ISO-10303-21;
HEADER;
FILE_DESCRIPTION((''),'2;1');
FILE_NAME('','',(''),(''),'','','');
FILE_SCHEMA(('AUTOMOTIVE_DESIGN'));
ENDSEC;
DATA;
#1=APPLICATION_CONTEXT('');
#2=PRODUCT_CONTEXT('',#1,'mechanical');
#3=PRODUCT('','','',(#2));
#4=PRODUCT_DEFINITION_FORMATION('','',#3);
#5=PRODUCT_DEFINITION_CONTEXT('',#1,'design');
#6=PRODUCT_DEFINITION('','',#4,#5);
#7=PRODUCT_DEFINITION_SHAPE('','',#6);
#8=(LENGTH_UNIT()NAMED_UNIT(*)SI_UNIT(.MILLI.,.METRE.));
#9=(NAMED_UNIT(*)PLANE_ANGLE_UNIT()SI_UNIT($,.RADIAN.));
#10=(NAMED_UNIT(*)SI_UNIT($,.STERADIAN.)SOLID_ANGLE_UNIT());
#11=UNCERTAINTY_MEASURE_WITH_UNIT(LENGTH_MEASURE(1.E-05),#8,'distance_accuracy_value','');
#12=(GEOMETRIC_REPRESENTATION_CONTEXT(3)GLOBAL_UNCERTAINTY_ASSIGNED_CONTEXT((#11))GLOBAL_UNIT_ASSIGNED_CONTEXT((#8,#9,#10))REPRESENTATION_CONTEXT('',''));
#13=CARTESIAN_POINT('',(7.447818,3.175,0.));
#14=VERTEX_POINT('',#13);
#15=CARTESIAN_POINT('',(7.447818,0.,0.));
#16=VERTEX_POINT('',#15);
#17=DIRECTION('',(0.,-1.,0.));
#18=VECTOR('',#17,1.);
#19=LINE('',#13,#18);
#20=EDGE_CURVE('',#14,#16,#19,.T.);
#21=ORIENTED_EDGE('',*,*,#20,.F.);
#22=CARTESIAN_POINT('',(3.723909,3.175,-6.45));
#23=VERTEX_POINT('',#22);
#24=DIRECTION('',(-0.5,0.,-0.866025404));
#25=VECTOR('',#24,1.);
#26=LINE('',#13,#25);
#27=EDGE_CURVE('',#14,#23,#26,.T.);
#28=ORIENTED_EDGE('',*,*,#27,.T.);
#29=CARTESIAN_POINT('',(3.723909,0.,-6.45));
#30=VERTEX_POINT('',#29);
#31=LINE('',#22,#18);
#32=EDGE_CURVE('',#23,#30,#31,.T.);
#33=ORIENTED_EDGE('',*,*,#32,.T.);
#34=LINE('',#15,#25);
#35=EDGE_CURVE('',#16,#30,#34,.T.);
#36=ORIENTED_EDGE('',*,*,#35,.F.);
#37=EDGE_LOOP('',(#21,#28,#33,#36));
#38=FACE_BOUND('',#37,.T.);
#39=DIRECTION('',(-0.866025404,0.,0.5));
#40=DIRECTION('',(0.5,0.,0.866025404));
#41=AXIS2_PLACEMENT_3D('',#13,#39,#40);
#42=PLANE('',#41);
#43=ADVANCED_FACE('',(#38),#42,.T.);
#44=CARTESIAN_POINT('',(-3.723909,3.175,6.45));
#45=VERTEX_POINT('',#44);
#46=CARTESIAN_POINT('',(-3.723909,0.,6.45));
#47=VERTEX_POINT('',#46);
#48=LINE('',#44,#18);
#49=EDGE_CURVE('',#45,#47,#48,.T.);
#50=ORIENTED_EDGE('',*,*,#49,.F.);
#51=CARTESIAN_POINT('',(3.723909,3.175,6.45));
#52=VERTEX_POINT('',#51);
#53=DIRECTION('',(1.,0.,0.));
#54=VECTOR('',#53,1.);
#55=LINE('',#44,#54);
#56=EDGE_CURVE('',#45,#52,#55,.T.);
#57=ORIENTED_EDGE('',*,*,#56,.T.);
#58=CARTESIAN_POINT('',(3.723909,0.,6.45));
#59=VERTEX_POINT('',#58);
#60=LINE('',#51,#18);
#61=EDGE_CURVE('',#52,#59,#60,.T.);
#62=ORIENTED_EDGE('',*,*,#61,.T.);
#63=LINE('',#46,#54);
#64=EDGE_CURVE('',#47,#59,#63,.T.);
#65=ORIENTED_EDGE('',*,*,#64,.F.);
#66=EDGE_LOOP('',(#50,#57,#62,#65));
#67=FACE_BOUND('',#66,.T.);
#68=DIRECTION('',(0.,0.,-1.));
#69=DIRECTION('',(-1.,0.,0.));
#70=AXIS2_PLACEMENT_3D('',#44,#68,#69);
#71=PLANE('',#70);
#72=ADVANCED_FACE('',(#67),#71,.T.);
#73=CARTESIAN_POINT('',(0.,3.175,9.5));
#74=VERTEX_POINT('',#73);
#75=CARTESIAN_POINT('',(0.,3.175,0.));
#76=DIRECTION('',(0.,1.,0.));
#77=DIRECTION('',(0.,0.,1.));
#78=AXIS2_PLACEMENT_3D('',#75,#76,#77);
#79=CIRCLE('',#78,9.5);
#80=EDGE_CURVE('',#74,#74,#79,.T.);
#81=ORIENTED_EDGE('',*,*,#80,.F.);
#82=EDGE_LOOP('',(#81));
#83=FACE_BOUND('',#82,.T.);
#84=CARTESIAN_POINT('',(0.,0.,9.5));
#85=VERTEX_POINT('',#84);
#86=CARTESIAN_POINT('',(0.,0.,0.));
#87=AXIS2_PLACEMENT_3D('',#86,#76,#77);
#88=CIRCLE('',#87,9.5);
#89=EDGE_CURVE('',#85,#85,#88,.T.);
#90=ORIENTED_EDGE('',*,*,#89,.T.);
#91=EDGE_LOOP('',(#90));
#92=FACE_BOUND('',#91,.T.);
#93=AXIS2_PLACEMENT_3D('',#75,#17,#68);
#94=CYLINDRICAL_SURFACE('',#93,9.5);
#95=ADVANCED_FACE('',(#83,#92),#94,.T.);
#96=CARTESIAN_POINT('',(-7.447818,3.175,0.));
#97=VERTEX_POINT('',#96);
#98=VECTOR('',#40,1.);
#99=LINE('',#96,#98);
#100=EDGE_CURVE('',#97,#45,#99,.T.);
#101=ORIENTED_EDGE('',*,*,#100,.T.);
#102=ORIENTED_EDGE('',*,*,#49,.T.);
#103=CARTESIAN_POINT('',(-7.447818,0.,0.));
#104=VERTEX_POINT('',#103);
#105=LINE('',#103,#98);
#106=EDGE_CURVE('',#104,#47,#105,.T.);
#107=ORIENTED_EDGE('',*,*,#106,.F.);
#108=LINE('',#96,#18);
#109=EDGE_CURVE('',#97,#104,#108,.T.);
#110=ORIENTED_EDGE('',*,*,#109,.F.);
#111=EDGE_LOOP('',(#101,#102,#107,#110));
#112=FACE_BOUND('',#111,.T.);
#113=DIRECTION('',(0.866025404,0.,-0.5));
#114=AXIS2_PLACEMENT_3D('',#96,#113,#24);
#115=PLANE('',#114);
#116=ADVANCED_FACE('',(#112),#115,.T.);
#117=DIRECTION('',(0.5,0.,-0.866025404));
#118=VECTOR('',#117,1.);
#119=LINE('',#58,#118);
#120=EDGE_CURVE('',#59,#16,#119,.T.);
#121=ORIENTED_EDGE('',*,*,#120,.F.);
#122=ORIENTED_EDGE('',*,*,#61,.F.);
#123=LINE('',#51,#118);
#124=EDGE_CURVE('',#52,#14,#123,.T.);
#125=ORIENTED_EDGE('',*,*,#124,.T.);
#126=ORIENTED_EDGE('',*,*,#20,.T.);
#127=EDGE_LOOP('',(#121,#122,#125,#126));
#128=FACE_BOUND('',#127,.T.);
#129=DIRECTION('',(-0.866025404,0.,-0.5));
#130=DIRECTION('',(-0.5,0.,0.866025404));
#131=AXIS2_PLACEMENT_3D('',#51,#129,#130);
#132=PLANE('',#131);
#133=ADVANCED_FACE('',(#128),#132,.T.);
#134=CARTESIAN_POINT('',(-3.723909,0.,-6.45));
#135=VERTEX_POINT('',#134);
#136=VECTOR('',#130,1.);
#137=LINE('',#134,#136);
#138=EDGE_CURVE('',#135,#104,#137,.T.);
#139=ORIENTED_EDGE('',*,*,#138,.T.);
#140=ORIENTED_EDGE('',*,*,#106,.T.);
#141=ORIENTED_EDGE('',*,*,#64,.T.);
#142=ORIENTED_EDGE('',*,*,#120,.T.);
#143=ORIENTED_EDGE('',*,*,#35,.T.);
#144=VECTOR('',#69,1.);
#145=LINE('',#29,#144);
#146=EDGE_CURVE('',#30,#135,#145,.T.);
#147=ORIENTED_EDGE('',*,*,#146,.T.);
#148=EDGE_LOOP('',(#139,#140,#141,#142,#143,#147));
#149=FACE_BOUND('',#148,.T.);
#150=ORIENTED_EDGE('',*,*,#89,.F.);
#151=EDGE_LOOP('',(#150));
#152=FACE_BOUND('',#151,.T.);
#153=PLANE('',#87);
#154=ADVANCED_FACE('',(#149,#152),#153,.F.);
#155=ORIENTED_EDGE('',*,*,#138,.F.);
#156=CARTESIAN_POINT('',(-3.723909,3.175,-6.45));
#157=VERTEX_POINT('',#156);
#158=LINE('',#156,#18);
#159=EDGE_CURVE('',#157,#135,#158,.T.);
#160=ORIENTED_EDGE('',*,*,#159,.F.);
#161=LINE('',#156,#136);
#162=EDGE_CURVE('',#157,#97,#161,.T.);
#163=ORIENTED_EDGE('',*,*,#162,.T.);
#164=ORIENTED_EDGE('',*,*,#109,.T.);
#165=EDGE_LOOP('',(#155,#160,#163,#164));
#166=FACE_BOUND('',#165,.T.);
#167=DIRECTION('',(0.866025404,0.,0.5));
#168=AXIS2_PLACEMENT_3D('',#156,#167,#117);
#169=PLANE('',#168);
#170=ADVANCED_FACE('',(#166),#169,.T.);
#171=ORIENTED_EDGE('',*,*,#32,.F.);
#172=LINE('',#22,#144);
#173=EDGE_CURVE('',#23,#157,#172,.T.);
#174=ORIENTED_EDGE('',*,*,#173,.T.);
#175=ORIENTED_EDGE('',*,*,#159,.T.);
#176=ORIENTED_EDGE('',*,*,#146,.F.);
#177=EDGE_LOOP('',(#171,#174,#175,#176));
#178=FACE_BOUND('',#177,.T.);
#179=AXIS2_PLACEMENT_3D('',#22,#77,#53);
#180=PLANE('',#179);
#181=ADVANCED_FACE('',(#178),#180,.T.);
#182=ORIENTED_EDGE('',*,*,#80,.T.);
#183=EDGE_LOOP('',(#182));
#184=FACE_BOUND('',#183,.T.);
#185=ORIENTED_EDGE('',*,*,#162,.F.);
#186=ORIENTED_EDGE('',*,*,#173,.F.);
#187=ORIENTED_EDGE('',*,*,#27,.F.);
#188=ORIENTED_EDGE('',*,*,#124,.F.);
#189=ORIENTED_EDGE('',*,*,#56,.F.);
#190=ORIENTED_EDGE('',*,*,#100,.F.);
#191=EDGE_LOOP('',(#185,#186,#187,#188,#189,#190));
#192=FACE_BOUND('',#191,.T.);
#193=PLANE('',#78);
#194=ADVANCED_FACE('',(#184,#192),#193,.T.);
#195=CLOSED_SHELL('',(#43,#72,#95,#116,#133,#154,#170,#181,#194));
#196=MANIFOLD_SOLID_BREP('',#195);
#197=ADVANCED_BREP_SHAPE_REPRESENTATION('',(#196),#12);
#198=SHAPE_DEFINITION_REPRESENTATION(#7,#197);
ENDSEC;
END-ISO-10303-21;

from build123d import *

# Parameters (mm, degrees)
SKETCH1_R           = 9.5
BOSS_EXTRUDE1_DEPTH = 3.175


with BuildPart() as part:
    # Sketch1 → Boss-Extrude1 (new body)
    with BuildSketch(Plane(origin=(0, 0, 0), x_dir=(1, 0, 0), z_dir=(0, 1, 0))):
        with Locations(Location((0, 0, 0), (0, 0, 270))):
            Circle(SKETCH1_R)
        Polygon((7.447818473, 0), (3.723909236, 6.45), (-3.723909236, 6.45), (-7.447818473, 0), (-3.723909236, -6.45), (3.723909236, -6.45), align=None, mode=Mode.SUBTRACT)
    extrude(amount=BOSS_EXTRUDE1_DEPTH)


solid = part.part
